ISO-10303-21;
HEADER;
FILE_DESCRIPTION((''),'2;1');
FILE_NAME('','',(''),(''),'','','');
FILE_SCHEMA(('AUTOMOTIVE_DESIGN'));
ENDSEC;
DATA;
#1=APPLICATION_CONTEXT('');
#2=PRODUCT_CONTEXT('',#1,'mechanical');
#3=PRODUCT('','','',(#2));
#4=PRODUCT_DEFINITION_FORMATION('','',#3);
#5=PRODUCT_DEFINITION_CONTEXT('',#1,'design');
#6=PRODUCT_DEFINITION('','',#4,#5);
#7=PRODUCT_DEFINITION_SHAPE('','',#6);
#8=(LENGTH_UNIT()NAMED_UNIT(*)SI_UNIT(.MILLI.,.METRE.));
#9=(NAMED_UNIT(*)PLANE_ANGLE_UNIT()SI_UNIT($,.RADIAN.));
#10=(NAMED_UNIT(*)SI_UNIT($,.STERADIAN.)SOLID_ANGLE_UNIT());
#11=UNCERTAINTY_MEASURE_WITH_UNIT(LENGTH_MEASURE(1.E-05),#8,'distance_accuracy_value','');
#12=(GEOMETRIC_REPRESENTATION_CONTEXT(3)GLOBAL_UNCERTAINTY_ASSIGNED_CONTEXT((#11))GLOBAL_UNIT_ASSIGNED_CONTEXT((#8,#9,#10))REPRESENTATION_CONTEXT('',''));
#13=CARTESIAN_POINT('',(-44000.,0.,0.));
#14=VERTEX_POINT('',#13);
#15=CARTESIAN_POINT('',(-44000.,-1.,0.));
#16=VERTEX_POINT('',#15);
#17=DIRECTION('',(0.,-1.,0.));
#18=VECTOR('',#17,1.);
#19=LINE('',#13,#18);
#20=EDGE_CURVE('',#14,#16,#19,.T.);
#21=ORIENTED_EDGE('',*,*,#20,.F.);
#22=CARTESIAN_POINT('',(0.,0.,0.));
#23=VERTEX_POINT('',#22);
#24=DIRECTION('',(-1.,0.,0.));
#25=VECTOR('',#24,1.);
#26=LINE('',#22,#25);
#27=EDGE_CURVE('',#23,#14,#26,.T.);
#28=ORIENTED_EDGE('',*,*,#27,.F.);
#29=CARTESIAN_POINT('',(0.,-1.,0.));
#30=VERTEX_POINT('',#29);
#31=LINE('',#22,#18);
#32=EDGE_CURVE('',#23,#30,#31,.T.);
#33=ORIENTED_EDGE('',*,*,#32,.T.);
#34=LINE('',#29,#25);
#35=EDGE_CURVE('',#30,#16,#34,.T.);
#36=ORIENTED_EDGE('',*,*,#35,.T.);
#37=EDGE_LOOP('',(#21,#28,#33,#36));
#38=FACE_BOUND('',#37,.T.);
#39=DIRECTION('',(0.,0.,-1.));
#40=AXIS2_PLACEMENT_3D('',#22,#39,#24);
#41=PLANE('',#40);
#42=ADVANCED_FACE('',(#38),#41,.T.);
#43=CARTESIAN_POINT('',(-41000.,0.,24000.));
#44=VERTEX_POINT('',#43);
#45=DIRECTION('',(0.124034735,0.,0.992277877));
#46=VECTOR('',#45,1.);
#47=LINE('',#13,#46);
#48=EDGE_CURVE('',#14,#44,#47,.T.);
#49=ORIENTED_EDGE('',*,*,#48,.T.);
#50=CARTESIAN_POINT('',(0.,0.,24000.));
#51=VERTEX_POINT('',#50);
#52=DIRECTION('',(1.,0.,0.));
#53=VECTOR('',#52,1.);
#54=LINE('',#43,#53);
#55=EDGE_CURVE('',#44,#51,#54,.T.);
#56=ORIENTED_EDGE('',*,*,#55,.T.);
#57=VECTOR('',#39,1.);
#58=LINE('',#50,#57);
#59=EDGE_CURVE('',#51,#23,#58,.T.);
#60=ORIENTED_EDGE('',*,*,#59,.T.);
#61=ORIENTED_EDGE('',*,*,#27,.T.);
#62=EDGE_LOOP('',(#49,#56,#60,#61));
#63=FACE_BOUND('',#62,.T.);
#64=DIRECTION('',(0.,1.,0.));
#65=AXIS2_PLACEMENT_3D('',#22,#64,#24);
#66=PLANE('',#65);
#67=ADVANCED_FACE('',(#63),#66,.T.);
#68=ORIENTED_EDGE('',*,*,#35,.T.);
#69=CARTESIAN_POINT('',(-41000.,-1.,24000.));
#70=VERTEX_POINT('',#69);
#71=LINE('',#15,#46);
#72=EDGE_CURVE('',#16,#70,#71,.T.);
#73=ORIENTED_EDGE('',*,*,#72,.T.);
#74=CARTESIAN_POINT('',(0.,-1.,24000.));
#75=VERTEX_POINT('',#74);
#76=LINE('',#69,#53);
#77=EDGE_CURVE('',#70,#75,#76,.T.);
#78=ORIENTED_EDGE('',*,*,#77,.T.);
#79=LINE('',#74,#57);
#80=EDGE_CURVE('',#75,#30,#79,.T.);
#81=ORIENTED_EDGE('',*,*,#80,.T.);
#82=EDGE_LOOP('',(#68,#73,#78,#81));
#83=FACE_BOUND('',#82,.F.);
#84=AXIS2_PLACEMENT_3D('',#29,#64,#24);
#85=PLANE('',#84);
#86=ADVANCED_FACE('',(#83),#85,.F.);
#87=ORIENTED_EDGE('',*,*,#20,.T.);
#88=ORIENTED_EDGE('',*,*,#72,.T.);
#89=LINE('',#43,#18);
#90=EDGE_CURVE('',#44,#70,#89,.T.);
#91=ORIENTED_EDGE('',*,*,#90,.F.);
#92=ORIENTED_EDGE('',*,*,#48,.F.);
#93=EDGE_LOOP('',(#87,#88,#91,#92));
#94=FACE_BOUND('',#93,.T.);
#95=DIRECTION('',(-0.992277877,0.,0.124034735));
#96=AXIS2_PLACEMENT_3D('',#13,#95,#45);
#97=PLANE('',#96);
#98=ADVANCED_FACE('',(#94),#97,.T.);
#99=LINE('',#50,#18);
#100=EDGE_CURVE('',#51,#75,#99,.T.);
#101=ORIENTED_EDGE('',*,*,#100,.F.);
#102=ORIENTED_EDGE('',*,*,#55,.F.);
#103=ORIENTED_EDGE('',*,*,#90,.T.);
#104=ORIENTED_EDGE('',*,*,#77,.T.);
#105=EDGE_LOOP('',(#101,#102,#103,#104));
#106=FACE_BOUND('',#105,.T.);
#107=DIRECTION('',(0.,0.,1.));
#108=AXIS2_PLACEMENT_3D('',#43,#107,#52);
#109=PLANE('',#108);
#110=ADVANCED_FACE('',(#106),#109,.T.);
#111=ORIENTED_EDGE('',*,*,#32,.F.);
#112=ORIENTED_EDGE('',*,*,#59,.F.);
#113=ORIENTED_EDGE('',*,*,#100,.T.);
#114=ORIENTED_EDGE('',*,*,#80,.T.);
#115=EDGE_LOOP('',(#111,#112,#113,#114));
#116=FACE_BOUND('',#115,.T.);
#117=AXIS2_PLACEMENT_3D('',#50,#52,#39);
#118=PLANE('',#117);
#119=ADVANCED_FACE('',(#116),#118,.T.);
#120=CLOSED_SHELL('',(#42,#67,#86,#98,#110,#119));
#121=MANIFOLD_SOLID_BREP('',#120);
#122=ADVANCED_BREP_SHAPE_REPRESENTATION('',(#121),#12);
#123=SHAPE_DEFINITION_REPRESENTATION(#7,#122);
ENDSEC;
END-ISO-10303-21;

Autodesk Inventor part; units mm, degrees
ref_plane "YZ Plane" through (0, 0, 0) normal (1, 0, 0) x (0, 1, 0)
ref_plane "XZ Plane" through (0, 0, 0) normal (0, 1, 0) x (-1, 0, 0)
ref_plane "XY Plane" through (0, 0, 0) normal (0, 0, 1) x (1, 0, 0)
sketch "Skizze1" plane through (0, 0, 0) normal (0, 1, 0) x (-1, 0, 0)
  line L0 (41000, 24000) -> (0, 24000)
  line L1 (0, 24000) -> (0, 0)
  line L2 (0, 0) -> (44000, 0)
  line L3 (44000, 0) -> (41000, 24000)
  line L4 (52800, 0) -> (-8800, 0) projected
  line L5 (0, -4800) -> (0, 28800) projected
  dimension "d2" = 44000
  dimension "d3" = 24000
  dimension "d4" = 41000
extrude "Extrusion1" add sketch "Skizze1" against normal blind 1
properties part number "Grundstück"
